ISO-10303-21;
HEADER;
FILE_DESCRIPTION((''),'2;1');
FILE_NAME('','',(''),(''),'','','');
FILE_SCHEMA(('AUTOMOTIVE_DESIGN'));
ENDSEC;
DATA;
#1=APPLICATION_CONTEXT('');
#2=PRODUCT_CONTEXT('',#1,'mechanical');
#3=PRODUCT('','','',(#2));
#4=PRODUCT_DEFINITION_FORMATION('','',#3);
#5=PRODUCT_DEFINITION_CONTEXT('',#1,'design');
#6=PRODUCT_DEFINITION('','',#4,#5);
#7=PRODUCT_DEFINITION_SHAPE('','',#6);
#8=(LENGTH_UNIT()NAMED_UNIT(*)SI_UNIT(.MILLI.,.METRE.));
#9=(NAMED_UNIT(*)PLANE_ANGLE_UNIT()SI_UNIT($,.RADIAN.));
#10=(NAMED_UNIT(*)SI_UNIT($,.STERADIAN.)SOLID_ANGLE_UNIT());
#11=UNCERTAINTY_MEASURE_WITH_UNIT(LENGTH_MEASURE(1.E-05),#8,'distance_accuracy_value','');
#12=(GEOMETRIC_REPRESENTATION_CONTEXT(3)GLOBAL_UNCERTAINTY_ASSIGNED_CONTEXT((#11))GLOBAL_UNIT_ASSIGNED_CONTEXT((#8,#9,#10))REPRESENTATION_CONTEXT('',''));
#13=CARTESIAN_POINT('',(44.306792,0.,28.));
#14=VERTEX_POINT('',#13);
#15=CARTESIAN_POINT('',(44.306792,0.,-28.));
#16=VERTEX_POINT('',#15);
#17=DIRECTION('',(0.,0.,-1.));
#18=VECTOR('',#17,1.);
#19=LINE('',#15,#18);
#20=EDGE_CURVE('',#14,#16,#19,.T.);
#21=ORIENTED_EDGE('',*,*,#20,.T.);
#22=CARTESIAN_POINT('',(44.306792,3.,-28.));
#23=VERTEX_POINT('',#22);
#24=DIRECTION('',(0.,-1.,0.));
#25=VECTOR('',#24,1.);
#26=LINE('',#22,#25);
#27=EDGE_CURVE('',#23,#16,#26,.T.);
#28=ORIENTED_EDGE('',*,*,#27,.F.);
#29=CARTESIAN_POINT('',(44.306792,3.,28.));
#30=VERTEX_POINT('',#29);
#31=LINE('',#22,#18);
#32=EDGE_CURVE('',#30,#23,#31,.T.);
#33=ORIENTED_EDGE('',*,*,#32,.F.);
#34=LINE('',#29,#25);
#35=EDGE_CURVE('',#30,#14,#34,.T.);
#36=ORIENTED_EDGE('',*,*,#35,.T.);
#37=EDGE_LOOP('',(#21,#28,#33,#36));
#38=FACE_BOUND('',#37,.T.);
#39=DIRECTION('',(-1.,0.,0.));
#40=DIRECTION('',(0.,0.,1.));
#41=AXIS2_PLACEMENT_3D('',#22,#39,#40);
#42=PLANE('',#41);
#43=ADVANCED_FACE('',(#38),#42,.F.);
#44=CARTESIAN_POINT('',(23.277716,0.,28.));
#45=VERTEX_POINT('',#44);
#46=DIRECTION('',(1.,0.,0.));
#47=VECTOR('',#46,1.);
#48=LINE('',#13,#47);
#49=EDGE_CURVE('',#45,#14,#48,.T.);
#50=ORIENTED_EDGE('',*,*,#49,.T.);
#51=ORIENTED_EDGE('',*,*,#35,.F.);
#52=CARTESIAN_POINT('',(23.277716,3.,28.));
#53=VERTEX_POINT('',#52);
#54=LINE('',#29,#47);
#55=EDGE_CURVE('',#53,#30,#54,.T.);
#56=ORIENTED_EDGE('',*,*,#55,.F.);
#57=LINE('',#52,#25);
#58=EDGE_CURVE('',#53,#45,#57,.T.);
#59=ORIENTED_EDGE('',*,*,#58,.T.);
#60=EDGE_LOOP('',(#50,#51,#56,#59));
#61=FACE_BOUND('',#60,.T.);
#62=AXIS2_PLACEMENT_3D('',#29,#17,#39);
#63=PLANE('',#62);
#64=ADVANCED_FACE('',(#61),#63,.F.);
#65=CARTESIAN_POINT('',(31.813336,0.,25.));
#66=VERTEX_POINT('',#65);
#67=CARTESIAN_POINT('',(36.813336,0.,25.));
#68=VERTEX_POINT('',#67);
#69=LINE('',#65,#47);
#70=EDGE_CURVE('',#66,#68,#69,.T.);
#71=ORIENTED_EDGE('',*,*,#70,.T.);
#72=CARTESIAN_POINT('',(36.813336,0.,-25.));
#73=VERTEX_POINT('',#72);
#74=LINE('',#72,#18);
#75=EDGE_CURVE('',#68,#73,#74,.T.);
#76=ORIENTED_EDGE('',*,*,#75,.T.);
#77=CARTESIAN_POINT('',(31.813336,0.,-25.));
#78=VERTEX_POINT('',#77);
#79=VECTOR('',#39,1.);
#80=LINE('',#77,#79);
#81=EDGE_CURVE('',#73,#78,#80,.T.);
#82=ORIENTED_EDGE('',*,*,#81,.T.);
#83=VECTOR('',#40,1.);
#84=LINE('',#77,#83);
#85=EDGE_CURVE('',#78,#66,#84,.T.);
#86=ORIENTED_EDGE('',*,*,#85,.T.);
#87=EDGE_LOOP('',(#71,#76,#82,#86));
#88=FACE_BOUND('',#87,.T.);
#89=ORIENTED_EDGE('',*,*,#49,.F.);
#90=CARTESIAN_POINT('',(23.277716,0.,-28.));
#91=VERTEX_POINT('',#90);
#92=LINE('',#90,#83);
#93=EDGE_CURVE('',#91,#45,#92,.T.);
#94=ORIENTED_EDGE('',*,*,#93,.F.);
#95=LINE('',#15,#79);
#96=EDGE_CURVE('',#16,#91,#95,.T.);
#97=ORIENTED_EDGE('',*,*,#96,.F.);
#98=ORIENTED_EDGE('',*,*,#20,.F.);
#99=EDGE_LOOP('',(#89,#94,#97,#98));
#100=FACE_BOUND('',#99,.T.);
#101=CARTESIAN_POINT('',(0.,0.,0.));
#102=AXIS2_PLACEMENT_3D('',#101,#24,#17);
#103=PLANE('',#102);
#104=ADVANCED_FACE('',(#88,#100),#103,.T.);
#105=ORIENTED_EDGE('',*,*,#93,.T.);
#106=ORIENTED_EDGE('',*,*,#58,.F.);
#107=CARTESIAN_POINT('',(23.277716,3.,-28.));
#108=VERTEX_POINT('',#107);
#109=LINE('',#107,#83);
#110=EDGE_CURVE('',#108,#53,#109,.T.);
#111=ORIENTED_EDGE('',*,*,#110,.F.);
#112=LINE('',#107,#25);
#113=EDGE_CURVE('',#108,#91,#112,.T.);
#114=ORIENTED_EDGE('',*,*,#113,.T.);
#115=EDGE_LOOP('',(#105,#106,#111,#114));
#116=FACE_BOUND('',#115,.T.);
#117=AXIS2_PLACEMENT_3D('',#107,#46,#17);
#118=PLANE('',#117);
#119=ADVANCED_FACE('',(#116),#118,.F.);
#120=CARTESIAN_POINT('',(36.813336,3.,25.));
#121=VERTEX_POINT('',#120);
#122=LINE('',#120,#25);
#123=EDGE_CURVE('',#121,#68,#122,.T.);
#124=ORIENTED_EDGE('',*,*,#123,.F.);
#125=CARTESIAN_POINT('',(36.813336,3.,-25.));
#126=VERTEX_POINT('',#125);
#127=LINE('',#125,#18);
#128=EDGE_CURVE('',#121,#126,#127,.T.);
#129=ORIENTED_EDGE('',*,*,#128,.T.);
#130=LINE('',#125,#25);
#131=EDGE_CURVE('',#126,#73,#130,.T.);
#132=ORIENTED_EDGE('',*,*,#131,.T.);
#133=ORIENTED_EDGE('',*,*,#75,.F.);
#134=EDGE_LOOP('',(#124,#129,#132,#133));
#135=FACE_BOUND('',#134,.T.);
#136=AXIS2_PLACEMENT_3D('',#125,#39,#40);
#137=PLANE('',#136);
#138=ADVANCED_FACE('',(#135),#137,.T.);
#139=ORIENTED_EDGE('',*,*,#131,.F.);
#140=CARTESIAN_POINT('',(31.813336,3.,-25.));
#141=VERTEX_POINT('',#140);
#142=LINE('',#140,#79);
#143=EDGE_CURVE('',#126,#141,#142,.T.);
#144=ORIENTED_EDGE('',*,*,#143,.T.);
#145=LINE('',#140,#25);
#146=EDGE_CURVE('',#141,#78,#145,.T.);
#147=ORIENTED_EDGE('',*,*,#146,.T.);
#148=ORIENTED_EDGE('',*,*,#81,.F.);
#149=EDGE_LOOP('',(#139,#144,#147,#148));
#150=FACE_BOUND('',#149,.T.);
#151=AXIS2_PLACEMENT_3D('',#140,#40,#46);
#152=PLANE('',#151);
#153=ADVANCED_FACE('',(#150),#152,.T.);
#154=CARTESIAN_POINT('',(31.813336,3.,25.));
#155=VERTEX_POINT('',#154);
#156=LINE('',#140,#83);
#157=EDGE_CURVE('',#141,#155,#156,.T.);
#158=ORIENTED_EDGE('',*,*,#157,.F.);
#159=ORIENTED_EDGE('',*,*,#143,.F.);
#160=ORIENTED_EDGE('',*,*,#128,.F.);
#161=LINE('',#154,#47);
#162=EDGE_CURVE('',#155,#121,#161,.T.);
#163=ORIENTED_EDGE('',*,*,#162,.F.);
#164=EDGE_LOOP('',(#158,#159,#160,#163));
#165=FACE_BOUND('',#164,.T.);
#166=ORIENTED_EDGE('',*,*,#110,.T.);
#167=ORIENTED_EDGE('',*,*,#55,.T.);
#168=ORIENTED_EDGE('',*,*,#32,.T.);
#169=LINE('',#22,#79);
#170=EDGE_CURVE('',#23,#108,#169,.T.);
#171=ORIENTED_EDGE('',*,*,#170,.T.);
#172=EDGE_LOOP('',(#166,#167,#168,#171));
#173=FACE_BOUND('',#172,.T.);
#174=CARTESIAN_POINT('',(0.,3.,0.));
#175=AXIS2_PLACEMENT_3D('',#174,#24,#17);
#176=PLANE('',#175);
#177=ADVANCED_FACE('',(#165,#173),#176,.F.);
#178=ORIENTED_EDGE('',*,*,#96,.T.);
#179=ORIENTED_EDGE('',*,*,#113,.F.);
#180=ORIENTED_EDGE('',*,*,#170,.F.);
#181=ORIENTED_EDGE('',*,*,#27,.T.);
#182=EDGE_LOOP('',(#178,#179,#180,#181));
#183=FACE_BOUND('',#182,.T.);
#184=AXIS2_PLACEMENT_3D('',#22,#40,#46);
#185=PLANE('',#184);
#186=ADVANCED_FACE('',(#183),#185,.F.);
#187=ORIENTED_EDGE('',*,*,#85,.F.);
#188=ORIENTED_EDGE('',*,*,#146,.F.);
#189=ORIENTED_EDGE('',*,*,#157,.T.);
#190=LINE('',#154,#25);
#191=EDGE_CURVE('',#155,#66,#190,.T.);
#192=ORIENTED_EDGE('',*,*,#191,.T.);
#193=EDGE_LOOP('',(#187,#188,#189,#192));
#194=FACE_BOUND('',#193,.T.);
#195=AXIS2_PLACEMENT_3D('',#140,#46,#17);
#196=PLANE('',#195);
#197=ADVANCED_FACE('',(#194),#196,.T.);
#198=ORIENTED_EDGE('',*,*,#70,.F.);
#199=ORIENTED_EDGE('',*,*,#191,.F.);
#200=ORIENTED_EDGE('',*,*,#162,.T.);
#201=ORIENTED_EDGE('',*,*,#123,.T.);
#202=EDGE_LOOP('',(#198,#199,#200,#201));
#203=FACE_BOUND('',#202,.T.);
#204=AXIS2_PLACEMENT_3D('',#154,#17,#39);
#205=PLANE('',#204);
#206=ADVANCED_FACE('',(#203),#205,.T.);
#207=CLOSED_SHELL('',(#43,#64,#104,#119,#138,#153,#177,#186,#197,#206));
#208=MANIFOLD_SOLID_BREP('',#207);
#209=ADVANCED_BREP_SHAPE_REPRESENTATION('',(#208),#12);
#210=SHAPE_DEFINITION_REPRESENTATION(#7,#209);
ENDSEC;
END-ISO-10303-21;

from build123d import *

# Parameters (mm, degrees)
ESQUISSE1_W   = 21.029076311
ESQUISSE1_H   = 56
ESQUISSE1_W_2 = 5
ESQUISSE1_H_2 = 50
BASE_DEPTH    = 3


with BuildPart() as part:
    # Esquisse1 → BASE (new body)
    with BuildSketch(Plane(origin=(0, 0, 0), x_dir=(1, 0, 0), z_dir=(0, 1, 0))):
        with Locations((33.792254344, 0)):
            Rectangle(ESQUISSE1_W, ESQUISSE1_H)
        with Locations((34.31333568, 0)):
            Rectangle(ESQUISSE1_W_2, ESQUISSE1_H_2, mode=Mode.SUBTRACT)
    extrude(amount=BASE_DEPTH)


solid = part.part
